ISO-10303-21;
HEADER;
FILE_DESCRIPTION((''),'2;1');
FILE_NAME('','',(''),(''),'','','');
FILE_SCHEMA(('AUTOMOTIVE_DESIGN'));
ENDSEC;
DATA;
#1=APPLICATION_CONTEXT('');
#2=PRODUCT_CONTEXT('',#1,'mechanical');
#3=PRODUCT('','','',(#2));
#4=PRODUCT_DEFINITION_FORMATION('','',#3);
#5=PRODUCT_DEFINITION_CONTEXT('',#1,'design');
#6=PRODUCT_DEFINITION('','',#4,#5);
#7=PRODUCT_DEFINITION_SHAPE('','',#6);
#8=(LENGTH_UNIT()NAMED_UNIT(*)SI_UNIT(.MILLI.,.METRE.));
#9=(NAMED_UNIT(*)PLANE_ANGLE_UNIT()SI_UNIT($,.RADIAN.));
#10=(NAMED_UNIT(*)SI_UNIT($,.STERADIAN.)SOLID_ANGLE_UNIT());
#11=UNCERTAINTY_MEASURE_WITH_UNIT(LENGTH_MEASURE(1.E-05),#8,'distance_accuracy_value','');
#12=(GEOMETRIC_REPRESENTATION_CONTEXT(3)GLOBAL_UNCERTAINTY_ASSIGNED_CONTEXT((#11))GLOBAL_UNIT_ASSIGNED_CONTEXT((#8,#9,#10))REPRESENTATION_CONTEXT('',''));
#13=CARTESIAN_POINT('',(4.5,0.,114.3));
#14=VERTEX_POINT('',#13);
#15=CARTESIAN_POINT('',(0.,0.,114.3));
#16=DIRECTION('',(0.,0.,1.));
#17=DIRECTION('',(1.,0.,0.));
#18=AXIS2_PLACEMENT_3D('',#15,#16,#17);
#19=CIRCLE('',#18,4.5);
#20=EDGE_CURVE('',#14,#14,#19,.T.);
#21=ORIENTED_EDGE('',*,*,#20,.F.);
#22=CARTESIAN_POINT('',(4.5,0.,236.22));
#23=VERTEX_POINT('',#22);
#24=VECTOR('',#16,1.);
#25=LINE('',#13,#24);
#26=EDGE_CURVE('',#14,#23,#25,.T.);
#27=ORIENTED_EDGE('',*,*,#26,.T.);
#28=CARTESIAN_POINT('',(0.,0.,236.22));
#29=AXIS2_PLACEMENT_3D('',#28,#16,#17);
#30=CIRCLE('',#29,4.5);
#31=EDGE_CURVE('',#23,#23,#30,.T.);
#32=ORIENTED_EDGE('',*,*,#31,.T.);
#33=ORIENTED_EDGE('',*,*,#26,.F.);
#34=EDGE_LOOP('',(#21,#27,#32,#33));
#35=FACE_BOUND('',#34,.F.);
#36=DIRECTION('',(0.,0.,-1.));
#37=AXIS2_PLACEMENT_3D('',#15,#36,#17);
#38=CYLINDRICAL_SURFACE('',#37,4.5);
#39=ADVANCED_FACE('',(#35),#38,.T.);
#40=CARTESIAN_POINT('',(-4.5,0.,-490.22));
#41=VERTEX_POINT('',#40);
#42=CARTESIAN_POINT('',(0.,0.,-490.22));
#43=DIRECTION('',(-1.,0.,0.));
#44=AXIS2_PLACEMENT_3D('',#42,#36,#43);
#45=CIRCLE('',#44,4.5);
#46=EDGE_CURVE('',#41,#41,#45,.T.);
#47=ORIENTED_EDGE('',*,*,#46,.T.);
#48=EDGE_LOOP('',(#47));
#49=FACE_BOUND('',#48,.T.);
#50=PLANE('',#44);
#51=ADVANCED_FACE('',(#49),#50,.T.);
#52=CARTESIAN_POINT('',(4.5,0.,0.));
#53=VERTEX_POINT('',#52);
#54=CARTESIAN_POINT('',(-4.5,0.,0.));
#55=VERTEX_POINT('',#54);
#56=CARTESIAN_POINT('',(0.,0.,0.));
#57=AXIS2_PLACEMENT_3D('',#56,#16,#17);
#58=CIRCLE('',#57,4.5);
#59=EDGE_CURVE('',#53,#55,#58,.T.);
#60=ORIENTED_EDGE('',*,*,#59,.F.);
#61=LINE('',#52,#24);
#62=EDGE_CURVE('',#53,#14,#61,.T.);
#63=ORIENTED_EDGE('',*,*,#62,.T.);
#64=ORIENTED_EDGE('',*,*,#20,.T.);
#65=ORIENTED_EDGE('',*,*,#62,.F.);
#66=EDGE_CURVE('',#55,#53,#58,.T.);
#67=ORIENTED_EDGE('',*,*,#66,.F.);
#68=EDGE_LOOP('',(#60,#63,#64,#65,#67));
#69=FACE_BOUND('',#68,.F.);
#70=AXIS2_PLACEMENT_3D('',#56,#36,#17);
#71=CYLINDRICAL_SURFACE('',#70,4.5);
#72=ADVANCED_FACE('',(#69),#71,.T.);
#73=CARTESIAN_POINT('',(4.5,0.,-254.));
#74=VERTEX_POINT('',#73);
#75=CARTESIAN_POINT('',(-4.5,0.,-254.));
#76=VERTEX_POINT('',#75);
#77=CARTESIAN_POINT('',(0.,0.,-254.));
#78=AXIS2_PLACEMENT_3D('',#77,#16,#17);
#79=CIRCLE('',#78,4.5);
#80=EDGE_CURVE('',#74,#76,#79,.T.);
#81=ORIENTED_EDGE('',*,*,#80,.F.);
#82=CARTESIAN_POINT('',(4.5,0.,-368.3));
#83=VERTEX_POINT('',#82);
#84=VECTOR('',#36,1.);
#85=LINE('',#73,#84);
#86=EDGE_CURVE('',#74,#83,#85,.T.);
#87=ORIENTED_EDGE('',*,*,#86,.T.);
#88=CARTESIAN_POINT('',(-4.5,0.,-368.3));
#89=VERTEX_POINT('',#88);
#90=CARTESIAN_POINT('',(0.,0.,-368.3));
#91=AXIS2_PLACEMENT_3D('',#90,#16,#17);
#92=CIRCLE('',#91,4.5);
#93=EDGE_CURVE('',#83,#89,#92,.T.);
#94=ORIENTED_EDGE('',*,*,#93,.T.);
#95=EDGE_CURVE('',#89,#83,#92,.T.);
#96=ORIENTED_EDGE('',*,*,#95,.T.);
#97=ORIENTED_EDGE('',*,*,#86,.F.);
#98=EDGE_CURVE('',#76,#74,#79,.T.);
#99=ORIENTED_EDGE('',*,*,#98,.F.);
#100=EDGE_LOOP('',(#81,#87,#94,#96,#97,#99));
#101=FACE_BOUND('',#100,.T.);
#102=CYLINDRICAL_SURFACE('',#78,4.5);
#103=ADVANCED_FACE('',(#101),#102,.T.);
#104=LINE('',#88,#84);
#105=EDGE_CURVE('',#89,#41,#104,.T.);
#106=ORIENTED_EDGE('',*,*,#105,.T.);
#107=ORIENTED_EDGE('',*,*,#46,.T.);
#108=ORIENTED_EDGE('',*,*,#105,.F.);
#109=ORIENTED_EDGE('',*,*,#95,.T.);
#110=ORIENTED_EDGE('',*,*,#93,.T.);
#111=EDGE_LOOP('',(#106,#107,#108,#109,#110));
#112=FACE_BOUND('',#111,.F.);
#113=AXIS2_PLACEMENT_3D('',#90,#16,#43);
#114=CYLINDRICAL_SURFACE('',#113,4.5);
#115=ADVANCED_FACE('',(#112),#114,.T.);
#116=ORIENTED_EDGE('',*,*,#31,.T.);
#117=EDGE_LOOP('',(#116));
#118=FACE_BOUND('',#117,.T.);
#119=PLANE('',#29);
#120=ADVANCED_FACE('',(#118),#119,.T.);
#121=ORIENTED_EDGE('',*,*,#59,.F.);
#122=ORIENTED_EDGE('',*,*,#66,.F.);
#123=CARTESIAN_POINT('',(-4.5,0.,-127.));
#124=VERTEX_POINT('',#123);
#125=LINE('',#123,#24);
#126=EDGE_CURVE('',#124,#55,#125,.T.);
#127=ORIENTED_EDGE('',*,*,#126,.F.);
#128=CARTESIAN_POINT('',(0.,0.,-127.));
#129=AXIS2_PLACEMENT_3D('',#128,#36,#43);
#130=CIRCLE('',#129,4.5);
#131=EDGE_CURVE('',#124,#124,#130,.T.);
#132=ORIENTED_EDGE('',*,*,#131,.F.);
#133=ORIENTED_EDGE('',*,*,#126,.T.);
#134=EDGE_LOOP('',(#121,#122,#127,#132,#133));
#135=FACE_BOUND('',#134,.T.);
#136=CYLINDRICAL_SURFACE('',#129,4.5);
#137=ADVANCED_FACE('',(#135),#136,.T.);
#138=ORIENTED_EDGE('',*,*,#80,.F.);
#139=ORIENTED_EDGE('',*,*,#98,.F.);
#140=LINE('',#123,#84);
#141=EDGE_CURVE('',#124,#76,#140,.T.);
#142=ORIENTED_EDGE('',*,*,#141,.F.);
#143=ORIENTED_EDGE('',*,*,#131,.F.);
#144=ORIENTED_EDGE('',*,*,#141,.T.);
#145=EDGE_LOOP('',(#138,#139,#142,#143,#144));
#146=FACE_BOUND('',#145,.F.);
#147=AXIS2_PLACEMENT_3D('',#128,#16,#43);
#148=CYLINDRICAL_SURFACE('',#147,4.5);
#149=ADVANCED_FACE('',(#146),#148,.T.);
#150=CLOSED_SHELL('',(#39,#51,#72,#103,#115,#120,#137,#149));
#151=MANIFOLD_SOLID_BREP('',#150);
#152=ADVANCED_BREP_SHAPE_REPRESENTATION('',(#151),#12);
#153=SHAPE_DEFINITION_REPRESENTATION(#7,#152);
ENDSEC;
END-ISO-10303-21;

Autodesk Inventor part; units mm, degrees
ref_plane "YZ Plane" through (0, 0, 0) normal (1, 0, 0) x (0, 1, 0)
ref_plane "XZ Plane" through (0, 0, 0) normal (0, 1, 0) x (-1, 0, 0)
sketch "Sketch3" plane through (0, 0, 0) normal (0, 0, 1) x (1, 0, 0)
  circle A0 centre (0, 0) radius 4.5
  dimension "d5" = 9
extrude "Extrusion3" add sketch "Sketch3" along normal blind 114.3
ref_plane "Work Plane2" through (0, 0, -127) normal (0, 0, -1) x (-1, 0, 0)
mirror "Mirror1" about plane through (0, 0, -127) normal (0, 0, -1) of "Extrusion3"
sketch "Sketch5" plane through (0, 0, -127) normal (0, 0, -1) x (-1, 0, 0)
  circle A0 centre (0, 0) radius 4.5
extrude "Extrusion4" add sketch "Sketch5" along normal mid plane 254
sketch "Sketch6" plane through (0, 0, 114.3) normal (0, 0, 1) x (1, 0, 0)
  circle A0 centre (0, 0) radius 4.5
extrude "Extrusion5" add sketch "Sketch6" along normal blind 121.92
sketch "Sketch7" plane through (0, 0, -368.3) normal (0, 0, -1) x (-1, 0, 0)
  circle A0 centre (0, 0) radius 4.5
extrude "Extrusion6" add sketch "Sketch7" along normal blind 121.92
thread "Thread3" size "3/8-16 UNC" class "2A" standard "ANSI Unified Screw Threads" length 111.76
thread "Thread4" size "3/8-16 UNC" class "2A" standard "ANSI Unified Screw Threads" length 111.76
properties part number "Axle"
